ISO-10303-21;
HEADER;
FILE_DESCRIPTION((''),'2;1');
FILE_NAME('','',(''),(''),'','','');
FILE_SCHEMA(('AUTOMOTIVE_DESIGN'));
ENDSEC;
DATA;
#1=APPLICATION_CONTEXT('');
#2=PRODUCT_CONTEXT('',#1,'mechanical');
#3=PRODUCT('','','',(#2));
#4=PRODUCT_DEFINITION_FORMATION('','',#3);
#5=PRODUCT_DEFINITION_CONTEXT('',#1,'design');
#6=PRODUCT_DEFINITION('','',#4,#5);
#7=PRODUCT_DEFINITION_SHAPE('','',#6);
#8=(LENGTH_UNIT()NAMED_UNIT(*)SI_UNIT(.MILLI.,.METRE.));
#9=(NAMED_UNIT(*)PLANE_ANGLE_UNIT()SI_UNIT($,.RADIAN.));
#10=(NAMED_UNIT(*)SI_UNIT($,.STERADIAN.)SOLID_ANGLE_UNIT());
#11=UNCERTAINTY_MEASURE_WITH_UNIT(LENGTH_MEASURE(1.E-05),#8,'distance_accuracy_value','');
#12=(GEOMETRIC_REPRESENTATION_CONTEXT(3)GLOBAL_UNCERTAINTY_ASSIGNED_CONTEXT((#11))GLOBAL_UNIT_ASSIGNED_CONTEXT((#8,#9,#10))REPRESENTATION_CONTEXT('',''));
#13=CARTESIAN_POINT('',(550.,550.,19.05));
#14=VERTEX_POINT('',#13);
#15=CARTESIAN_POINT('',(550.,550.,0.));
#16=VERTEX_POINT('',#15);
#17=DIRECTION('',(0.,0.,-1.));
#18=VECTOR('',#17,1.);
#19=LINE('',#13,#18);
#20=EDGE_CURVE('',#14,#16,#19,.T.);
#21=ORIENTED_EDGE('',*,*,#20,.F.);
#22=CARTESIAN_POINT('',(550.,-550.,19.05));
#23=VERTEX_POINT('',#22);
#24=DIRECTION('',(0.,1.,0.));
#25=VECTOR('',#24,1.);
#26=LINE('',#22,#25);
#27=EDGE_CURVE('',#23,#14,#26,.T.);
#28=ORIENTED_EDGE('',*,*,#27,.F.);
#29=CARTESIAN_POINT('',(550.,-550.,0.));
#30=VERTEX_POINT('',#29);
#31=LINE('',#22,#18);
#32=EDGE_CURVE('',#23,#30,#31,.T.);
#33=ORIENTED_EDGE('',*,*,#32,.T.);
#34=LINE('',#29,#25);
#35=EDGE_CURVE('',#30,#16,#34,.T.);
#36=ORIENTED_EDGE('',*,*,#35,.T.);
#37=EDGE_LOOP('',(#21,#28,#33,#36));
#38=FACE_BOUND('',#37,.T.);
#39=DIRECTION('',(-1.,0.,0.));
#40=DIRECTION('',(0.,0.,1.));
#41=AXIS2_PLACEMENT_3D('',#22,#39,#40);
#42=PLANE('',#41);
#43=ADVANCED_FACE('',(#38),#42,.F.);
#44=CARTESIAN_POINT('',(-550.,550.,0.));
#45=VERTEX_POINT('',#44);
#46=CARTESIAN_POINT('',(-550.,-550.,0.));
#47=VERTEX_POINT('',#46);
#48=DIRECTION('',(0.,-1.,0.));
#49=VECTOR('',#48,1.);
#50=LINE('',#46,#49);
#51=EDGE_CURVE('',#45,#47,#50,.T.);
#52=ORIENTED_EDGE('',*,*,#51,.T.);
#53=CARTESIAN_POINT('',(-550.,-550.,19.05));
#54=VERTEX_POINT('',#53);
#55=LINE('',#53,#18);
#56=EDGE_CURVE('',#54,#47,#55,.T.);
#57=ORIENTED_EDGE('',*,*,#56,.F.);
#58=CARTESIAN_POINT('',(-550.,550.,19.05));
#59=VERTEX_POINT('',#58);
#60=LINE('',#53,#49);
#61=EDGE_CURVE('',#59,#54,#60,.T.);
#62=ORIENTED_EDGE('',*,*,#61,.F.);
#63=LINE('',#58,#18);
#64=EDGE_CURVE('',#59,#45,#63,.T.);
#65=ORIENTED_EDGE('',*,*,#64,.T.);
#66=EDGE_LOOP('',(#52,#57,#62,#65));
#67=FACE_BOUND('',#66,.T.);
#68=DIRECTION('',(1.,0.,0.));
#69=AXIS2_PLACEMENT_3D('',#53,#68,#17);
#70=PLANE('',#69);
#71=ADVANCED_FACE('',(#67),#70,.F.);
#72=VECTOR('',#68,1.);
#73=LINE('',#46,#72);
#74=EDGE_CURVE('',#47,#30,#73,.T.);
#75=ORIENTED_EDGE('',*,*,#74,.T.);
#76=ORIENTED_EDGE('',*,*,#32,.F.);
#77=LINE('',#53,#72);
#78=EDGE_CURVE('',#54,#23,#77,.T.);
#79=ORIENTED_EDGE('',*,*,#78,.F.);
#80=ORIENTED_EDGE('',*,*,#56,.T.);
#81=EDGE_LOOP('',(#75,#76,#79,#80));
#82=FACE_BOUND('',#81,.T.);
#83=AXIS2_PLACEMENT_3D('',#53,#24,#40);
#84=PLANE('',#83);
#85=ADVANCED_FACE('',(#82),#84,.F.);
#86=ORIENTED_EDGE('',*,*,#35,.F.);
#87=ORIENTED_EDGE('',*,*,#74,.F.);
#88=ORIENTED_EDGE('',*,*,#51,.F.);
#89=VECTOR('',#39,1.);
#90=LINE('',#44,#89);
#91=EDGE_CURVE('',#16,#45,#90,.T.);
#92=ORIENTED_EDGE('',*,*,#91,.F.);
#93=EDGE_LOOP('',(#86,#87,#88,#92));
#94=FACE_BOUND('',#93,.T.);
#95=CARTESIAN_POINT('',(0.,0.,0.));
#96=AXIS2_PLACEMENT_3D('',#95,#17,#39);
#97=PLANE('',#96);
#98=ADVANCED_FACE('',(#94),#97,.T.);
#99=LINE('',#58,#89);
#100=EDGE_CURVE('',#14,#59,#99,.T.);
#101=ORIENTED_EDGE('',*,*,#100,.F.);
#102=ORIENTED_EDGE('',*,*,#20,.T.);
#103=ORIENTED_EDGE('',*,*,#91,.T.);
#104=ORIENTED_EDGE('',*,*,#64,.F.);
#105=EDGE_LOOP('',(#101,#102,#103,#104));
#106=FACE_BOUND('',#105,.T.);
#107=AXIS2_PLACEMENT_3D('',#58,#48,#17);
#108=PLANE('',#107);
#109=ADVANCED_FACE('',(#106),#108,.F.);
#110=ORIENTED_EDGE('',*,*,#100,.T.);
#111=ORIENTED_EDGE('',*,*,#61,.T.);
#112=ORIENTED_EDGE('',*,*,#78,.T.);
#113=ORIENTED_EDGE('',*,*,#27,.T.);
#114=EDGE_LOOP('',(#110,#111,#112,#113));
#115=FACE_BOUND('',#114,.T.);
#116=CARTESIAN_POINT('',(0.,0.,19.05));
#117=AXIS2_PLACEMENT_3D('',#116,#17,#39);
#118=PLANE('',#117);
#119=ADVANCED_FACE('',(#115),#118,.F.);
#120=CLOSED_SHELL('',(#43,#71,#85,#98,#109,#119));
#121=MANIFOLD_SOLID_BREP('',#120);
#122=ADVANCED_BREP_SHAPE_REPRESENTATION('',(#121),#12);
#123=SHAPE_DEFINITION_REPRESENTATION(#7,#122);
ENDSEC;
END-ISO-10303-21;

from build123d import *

# Parameters (mm, degrees)
SKETCH1_W           = 1100
SKETCH1_H           = 1100
BOSS_EXTRUDE1_DEPTH = 19.05


with BuildPart() as part:
    # Sketch1 → Boss-Extrude1 (new body)
    with BuildSketch(Plane.XY):
        Rectangle(SKETCH1_W, SKETCH1_H)
    extrude(amount=BOSS_EXTRUDE1_DEPTH)


solid = part.part
